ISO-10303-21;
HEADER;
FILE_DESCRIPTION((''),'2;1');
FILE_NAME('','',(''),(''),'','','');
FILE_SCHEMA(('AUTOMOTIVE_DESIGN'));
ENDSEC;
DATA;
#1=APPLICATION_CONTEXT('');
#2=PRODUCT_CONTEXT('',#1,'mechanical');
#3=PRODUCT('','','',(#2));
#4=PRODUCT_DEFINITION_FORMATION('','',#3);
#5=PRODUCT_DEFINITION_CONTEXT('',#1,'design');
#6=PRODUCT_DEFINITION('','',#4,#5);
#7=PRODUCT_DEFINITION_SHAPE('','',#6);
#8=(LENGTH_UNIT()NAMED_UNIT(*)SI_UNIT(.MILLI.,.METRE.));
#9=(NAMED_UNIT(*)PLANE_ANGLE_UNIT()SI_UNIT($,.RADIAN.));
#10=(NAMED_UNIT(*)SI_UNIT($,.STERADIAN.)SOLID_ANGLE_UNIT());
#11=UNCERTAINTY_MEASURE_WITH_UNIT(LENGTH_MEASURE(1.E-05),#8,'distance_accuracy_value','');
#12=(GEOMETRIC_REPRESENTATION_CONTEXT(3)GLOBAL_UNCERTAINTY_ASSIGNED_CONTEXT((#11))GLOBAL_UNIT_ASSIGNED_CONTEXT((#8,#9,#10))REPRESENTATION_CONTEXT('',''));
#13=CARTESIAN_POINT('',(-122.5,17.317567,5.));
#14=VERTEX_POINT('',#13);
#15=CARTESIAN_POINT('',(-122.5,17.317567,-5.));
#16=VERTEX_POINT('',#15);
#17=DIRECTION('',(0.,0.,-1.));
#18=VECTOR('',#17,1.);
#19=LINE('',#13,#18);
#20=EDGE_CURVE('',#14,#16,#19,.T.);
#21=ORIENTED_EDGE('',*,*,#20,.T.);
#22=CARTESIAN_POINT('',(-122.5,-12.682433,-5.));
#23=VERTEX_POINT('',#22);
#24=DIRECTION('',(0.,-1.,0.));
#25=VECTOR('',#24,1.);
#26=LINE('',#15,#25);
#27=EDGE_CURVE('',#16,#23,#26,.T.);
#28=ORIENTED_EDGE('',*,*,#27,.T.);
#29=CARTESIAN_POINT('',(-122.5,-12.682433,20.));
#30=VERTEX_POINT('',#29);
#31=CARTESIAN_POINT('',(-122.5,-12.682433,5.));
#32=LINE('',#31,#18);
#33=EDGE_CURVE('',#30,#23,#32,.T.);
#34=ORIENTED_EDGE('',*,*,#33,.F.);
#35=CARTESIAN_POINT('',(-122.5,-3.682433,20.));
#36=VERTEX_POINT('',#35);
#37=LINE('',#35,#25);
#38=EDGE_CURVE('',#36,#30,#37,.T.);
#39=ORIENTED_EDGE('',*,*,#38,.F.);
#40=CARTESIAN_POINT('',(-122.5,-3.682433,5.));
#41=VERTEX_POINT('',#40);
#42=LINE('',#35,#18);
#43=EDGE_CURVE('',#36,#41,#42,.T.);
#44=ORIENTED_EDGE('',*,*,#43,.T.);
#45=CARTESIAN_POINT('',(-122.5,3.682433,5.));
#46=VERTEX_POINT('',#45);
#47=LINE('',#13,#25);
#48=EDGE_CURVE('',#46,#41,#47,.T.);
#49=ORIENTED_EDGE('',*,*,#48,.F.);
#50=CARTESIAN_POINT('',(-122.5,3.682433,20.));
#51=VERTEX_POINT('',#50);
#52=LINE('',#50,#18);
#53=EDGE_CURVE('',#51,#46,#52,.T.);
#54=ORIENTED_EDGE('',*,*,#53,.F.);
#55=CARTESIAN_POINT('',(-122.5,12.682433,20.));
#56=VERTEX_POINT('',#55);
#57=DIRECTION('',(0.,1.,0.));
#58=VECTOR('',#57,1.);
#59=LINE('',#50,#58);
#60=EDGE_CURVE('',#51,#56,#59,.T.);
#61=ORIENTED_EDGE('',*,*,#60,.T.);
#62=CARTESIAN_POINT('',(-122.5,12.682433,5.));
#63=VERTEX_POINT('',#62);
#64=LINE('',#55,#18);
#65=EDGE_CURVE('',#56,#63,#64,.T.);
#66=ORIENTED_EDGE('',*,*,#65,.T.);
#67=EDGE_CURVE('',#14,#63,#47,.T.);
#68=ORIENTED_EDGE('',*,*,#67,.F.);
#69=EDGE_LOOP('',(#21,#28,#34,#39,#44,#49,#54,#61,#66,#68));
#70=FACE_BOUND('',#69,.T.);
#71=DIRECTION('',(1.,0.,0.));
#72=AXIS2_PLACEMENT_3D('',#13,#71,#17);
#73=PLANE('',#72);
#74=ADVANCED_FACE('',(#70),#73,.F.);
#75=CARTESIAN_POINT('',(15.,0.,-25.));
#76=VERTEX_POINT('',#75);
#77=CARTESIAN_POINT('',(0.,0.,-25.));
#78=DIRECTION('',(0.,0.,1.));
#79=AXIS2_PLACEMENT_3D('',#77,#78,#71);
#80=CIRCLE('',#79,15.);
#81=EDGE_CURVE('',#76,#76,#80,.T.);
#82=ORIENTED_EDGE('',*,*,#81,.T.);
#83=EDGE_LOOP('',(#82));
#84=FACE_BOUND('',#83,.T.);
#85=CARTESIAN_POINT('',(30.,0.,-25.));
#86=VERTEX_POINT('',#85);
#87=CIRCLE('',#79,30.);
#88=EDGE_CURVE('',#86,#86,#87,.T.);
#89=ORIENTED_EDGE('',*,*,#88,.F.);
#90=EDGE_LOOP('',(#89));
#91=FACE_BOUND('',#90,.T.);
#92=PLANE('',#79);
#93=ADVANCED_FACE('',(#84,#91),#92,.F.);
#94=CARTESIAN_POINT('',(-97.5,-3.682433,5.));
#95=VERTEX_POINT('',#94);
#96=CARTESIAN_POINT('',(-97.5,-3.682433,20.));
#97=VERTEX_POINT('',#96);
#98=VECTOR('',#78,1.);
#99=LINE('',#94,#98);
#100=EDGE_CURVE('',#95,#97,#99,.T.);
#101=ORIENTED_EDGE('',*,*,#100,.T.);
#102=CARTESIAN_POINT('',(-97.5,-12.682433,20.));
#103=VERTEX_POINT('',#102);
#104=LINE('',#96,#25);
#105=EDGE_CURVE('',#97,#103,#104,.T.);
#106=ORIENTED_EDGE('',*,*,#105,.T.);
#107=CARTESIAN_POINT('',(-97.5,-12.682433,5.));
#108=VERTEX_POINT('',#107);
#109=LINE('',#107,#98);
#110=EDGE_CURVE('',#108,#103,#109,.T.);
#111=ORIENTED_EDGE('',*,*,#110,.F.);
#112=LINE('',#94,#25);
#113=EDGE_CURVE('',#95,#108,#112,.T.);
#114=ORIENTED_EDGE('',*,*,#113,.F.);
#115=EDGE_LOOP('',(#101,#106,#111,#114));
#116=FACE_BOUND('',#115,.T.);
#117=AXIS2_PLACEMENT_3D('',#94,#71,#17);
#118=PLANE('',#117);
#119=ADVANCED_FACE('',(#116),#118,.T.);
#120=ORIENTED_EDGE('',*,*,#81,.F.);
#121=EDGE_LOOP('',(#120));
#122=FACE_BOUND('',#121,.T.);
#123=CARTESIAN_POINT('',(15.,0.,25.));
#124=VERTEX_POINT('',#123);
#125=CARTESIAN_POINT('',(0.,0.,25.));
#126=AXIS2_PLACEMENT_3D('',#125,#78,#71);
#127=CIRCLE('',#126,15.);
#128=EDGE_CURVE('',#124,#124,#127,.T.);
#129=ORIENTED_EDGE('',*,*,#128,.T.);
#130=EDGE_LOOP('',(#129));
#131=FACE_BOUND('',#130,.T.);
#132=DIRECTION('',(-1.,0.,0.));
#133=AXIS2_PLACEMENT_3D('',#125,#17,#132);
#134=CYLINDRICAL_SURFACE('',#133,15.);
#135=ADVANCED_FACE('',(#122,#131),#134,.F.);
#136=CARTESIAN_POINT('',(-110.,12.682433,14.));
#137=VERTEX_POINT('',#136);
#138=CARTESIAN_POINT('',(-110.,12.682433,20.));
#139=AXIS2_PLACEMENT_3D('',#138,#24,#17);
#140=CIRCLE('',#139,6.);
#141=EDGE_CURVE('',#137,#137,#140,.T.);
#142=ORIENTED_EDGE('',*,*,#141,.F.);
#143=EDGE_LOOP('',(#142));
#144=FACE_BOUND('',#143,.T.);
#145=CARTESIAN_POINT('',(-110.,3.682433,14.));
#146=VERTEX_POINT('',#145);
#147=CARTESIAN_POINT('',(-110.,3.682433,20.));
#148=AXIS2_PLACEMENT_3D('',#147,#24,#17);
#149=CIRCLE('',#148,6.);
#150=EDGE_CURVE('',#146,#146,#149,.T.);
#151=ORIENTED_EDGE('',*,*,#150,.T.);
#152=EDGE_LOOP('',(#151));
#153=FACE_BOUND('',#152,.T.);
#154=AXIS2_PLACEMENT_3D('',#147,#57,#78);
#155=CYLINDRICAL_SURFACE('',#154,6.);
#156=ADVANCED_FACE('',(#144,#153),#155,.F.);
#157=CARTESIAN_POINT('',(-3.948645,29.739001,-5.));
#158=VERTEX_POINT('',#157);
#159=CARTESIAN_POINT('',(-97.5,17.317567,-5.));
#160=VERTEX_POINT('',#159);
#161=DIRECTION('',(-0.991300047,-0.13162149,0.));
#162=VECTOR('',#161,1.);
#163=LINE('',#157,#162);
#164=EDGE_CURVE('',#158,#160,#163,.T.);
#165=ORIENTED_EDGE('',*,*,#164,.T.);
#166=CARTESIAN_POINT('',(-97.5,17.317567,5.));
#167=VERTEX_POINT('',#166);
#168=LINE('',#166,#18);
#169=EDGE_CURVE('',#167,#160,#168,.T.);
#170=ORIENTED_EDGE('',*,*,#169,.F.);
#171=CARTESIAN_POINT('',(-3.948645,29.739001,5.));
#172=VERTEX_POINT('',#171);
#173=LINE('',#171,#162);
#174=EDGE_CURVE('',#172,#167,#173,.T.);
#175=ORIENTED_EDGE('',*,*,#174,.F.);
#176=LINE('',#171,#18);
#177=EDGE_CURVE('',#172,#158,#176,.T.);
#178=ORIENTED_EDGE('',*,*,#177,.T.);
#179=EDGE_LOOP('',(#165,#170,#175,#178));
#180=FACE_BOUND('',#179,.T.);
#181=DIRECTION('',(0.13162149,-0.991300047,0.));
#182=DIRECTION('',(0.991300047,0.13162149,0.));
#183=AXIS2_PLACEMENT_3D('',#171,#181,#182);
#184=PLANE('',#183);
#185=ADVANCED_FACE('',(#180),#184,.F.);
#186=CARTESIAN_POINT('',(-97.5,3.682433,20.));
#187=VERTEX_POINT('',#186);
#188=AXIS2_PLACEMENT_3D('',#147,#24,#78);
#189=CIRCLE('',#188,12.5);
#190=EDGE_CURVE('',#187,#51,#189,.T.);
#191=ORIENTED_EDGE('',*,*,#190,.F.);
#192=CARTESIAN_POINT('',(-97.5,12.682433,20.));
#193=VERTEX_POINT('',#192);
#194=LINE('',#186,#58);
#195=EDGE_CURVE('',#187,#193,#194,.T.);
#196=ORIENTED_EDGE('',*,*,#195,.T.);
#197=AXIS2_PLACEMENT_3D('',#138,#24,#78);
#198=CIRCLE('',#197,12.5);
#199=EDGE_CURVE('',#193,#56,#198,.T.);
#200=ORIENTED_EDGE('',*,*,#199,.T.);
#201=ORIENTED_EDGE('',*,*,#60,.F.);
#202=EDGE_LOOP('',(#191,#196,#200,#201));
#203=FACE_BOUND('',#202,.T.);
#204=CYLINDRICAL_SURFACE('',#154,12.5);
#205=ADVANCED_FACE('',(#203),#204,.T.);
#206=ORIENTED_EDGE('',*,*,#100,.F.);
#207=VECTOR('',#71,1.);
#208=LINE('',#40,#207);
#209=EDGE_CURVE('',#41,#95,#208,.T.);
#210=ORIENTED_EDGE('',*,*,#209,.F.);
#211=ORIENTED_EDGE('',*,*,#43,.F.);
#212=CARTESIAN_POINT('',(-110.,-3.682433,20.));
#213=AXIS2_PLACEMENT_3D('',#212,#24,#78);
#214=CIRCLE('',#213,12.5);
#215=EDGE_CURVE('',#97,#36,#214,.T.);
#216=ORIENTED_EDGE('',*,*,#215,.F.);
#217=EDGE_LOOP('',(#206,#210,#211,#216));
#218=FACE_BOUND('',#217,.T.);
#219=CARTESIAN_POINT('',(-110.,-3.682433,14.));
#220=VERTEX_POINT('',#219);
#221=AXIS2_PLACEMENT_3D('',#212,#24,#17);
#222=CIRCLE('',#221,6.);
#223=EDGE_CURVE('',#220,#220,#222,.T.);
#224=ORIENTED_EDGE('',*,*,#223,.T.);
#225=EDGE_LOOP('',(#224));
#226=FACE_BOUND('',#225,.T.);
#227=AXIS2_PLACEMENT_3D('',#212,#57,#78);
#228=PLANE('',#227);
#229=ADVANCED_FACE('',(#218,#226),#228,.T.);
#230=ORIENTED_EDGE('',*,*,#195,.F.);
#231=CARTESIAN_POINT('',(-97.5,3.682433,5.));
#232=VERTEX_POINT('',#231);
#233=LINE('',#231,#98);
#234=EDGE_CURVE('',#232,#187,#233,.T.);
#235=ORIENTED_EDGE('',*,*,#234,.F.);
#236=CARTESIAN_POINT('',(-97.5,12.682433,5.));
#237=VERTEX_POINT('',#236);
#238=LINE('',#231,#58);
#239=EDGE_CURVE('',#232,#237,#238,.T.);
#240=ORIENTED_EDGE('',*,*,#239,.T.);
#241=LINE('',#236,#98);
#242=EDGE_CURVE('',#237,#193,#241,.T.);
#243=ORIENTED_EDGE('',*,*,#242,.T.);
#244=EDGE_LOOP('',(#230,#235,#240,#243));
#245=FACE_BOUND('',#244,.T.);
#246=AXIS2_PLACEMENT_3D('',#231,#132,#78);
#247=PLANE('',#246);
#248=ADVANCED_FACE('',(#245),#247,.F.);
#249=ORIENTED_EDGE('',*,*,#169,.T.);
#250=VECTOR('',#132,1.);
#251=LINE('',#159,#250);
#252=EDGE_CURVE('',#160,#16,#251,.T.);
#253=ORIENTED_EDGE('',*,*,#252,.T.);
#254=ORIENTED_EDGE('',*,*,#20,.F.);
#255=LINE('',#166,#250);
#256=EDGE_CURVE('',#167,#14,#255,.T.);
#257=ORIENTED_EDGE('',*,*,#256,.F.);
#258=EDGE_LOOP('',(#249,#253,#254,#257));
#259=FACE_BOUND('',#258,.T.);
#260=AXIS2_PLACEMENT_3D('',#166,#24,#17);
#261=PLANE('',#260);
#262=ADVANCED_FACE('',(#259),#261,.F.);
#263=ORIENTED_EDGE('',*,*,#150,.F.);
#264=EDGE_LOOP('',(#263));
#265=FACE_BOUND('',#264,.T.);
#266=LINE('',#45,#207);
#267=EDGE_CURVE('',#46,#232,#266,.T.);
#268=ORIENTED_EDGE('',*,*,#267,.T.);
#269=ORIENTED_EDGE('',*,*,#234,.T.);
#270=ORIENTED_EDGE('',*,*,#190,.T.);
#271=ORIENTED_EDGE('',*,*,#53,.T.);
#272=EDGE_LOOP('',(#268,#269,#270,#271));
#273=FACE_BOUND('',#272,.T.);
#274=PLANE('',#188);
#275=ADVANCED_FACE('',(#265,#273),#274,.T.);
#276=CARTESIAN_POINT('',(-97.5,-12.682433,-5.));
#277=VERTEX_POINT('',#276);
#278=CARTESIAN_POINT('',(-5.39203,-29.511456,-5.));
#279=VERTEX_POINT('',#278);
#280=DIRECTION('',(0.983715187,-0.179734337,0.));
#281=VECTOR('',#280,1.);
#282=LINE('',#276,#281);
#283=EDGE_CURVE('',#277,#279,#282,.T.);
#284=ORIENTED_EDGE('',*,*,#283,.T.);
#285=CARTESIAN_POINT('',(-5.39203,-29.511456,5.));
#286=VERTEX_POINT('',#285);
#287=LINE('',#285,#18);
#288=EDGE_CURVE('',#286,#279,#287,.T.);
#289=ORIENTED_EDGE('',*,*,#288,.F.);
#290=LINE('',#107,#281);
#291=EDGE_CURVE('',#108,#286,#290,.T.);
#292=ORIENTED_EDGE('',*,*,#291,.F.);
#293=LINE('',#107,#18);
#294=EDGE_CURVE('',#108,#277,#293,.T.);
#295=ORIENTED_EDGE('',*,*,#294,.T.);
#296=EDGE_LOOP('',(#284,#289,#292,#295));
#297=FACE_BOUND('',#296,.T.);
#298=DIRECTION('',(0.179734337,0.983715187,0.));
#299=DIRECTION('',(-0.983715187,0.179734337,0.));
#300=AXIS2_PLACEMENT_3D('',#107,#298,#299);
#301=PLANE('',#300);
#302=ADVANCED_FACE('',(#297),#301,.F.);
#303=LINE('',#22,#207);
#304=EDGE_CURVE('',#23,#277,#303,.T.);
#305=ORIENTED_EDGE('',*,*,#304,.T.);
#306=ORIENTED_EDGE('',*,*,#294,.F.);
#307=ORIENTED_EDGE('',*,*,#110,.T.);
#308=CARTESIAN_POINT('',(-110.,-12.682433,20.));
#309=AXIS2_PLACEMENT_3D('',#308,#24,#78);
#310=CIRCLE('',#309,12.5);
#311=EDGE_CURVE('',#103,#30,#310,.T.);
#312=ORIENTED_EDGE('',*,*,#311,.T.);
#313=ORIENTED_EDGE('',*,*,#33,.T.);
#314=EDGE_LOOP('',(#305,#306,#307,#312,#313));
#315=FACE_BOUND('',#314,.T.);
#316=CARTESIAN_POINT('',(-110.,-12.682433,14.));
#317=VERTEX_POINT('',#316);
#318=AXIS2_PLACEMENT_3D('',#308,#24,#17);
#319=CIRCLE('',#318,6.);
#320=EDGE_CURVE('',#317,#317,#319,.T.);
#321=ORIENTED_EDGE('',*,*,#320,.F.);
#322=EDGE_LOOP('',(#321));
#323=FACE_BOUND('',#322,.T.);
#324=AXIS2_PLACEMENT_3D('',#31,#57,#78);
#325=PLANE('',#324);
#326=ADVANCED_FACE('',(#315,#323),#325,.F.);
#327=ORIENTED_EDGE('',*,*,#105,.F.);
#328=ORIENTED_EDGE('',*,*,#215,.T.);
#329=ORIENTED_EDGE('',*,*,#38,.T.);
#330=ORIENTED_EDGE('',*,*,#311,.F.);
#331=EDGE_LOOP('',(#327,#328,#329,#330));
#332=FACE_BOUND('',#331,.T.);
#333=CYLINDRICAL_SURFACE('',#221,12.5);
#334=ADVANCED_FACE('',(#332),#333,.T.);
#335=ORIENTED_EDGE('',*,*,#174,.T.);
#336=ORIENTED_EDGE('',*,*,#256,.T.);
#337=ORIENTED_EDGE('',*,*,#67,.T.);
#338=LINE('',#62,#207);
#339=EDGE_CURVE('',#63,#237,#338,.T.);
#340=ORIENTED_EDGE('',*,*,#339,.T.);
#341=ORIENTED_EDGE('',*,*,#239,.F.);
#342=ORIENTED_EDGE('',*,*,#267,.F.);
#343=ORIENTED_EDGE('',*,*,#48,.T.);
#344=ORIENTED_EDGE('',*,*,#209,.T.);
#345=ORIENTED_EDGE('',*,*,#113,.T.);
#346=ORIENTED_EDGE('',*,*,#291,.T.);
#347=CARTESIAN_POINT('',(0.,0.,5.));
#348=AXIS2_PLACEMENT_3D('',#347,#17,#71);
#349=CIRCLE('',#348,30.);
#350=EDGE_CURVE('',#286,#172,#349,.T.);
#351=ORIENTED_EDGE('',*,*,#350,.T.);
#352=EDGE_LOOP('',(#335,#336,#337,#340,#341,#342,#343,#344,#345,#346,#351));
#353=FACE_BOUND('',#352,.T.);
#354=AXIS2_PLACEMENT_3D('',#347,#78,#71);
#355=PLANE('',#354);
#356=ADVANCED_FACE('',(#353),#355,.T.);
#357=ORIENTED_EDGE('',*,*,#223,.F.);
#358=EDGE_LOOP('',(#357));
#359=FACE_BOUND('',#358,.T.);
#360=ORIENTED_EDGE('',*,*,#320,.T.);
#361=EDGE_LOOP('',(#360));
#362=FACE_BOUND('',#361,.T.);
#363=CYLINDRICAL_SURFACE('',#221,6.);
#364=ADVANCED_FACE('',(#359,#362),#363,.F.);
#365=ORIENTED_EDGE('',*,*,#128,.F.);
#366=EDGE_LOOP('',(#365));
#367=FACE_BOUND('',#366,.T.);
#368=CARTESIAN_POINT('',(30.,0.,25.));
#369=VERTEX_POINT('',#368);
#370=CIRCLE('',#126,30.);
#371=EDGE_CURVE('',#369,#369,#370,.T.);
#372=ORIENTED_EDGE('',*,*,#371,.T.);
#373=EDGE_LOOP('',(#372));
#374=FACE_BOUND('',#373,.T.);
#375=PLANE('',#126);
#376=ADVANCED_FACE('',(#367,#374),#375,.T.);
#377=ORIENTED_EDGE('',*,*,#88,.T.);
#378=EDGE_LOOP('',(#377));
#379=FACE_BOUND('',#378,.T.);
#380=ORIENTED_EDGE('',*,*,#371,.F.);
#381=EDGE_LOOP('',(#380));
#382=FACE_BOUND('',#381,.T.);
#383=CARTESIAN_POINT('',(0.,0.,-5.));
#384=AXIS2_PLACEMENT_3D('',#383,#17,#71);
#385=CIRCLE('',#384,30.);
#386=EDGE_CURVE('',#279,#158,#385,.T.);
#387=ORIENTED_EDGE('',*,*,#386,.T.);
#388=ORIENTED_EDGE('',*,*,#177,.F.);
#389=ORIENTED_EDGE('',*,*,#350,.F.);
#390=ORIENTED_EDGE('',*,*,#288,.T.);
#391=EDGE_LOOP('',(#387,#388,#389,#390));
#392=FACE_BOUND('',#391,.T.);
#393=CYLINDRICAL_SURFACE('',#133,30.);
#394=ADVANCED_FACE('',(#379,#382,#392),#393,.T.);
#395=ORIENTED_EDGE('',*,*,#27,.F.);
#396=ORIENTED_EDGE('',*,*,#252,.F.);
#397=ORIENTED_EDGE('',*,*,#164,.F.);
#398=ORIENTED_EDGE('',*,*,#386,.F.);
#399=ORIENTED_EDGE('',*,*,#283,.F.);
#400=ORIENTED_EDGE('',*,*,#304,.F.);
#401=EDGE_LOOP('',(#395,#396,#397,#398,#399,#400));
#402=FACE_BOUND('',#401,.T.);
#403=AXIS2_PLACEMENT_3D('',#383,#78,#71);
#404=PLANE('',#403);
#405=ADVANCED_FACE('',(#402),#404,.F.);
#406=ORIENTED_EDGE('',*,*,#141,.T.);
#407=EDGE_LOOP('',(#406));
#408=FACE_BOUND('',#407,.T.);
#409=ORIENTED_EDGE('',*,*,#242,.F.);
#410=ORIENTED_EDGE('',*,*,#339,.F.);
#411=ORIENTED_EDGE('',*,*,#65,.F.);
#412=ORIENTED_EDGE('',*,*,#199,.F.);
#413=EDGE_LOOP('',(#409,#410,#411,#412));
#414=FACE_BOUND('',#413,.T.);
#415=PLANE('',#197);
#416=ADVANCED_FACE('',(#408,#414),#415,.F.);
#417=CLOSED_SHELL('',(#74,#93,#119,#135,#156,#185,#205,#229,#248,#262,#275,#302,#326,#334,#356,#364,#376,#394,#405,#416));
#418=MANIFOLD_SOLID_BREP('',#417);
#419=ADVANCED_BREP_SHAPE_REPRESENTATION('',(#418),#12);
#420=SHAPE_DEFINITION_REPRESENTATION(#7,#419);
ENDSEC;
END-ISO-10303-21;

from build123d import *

# Parameters (mm, degrees)
SKETCH1_R           = 30
SKETCH1_R_2         = 15
BOSS_EXTRUDE1_DEPTH = 25
BOSS_EXTRUDE2_DEPTH = 5
SKETCH3_R           = 6
BOSS_EXTRUDE4_DEPTH = 9


with BuildPart() as part:
    # Sketch1 → Boss-Extrude1 (new body, symmetric)
    with BuildSketch(Plane.XY):
        Circle(SKETCH1_R)
        Circle(SKETCH1_R_2, mode=Mode.SUBTRACT)
    extrude(amount=BOSS_EXTRUDE1_DEPTH, both=True)

    # Sketch2 → Boss-Extrude2 (add, symmetric)
    with BuildSketch(Plane.XY):
        with BuildLine():
            Line((-3.948644693, 29.739001414), (-97.5, 17.317566762))
            Line((-97.5, 17.317566762), (-122.5, 17.317566762))
            Line((-122.5, 17.317566762), (-122.5, -12.682433238))
            Line((-122.5, -12.682433238), (-97.5, -12.682433238))
            Line((-97.5, -12.682433238), (-5.392030099, -29.511455596))
            ThreePointArc((-5.392030099, -29.511455596), (-29.99110227, 0.730605661), (-3.948644693, 29.739001414))
        make_face()
    extrude(amount=BOSS_EXTRUDE2_DEPTH, both=True)

    # Sketch3 → Boss-Extrude4 (add)
    with BuildSketch(Plane.XZ.offset(12.682433238)):
        with BuildLine():
            Line((-122.5, 5), (-97.5, 5))
            Line((-97.5, 5), (-97.5, 20))
            ThreePointArc((-97.5, 20), (-110, 32.5), (-122.5, 20))
            Line((-122.5, 20), (-122.5, 5))
        make_face()
        with Locations(Location((-110, 20, 0), (0, 0, 270))):  # turned: the seam where the file's is
            Circle(SKETCH3_R, mode=Mode.SUBTRACT)
    boss_extrude4 = extrude(amount=-BOSS_EXTRUDE4_DEPTH)

    # Mirror1: Boss-Extrude4 across plane
    add(boss_extrude4.mirror(Plane.ZX))


solid = part.part
